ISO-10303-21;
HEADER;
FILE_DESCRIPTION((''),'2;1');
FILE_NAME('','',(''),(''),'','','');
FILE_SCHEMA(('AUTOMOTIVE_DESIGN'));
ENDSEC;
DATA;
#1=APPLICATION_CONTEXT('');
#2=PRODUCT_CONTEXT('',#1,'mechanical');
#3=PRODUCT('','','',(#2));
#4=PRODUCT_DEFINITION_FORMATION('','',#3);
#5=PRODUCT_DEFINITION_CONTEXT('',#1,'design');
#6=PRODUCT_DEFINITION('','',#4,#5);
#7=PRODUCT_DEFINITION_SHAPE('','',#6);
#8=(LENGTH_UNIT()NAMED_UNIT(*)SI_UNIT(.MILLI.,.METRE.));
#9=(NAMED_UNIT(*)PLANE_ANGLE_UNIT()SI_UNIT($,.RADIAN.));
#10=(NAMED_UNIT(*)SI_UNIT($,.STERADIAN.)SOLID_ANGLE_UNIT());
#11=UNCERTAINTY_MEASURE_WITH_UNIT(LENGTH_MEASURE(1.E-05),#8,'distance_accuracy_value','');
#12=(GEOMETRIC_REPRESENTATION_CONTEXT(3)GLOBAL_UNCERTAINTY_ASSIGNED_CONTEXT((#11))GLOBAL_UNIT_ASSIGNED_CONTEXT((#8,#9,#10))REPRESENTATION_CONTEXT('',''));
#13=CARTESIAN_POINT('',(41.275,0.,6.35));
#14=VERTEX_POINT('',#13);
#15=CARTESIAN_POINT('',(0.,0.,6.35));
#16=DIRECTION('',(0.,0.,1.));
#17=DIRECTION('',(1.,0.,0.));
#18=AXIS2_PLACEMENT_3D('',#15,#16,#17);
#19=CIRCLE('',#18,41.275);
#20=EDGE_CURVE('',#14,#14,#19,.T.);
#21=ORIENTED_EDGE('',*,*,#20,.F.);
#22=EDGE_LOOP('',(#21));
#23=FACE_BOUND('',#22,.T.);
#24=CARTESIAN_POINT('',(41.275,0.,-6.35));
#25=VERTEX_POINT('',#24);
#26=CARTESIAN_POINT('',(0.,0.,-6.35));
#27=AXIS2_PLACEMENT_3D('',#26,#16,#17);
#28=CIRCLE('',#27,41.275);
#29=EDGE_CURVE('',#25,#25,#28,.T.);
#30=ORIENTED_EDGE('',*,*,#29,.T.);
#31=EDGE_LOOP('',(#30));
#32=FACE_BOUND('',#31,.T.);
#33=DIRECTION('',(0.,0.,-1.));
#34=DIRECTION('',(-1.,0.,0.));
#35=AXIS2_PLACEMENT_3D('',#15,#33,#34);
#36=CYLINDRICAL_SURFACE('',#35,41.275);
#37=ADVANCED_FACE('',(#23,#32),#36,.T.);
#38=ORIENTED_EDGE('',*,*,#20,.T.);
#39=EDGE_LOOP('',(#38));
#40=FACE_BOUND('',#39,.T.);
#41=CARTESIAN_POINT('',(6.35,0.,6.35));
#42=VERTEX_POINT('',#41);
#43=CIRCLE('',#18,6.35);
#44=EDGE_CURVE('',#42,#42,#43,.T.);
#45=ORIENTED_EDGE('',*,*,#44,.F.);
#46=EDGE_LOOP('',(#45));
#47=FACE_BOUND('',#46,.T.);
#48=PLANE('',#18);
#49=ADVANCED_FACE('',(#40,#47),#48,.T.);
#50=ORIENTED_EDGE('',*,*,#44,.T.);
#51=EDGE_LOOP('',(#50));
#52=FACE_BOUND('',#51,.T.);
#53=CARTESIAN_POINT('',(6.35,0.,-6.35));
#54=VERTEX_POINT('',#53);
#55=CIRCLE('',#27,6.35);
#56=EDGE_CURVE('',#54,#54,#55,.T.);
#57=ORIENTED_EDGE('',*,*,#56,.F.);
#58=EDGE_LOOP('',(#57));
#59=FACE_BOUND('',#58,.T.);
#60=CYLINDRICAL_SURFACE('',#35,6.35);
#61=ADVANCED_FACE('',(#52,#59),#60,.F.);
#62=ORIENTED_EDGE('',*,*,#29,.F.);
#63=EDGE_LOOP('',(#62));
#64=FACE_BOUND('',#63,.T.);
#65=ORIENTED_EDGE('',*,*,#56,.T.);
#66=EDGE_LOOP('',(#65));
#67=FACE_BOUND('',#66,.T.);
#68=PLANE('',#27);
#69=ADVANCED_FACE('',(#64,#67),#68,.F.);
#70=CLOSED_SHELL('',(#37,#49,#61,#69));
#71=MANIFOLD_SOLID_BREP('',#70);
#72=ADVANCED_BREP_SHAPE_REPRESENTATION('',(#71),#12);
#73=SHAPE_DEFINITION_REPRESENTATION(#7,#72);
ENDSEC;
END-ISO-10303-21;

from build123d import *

# Parameters (mm, degrees)
SKETCH1_R           = 41.275
SKETCH1_R_2         = 6.35
BOSS_EXTRUDE1_DEPTH = 6.35


with BuildPart() as part:
    # Sketch1 → Boss-Extrude1 (new body, symmetric)
    with BuildSketch(Plane.XY):
        Circle(SKETCH1_R)
        Circle(SKETCH1_R_2, mode=Mode.SUBTRACT)
    extrude(amount=BOSS_EXTRUDE1_DEPTH, both=True)


solid = part.part
